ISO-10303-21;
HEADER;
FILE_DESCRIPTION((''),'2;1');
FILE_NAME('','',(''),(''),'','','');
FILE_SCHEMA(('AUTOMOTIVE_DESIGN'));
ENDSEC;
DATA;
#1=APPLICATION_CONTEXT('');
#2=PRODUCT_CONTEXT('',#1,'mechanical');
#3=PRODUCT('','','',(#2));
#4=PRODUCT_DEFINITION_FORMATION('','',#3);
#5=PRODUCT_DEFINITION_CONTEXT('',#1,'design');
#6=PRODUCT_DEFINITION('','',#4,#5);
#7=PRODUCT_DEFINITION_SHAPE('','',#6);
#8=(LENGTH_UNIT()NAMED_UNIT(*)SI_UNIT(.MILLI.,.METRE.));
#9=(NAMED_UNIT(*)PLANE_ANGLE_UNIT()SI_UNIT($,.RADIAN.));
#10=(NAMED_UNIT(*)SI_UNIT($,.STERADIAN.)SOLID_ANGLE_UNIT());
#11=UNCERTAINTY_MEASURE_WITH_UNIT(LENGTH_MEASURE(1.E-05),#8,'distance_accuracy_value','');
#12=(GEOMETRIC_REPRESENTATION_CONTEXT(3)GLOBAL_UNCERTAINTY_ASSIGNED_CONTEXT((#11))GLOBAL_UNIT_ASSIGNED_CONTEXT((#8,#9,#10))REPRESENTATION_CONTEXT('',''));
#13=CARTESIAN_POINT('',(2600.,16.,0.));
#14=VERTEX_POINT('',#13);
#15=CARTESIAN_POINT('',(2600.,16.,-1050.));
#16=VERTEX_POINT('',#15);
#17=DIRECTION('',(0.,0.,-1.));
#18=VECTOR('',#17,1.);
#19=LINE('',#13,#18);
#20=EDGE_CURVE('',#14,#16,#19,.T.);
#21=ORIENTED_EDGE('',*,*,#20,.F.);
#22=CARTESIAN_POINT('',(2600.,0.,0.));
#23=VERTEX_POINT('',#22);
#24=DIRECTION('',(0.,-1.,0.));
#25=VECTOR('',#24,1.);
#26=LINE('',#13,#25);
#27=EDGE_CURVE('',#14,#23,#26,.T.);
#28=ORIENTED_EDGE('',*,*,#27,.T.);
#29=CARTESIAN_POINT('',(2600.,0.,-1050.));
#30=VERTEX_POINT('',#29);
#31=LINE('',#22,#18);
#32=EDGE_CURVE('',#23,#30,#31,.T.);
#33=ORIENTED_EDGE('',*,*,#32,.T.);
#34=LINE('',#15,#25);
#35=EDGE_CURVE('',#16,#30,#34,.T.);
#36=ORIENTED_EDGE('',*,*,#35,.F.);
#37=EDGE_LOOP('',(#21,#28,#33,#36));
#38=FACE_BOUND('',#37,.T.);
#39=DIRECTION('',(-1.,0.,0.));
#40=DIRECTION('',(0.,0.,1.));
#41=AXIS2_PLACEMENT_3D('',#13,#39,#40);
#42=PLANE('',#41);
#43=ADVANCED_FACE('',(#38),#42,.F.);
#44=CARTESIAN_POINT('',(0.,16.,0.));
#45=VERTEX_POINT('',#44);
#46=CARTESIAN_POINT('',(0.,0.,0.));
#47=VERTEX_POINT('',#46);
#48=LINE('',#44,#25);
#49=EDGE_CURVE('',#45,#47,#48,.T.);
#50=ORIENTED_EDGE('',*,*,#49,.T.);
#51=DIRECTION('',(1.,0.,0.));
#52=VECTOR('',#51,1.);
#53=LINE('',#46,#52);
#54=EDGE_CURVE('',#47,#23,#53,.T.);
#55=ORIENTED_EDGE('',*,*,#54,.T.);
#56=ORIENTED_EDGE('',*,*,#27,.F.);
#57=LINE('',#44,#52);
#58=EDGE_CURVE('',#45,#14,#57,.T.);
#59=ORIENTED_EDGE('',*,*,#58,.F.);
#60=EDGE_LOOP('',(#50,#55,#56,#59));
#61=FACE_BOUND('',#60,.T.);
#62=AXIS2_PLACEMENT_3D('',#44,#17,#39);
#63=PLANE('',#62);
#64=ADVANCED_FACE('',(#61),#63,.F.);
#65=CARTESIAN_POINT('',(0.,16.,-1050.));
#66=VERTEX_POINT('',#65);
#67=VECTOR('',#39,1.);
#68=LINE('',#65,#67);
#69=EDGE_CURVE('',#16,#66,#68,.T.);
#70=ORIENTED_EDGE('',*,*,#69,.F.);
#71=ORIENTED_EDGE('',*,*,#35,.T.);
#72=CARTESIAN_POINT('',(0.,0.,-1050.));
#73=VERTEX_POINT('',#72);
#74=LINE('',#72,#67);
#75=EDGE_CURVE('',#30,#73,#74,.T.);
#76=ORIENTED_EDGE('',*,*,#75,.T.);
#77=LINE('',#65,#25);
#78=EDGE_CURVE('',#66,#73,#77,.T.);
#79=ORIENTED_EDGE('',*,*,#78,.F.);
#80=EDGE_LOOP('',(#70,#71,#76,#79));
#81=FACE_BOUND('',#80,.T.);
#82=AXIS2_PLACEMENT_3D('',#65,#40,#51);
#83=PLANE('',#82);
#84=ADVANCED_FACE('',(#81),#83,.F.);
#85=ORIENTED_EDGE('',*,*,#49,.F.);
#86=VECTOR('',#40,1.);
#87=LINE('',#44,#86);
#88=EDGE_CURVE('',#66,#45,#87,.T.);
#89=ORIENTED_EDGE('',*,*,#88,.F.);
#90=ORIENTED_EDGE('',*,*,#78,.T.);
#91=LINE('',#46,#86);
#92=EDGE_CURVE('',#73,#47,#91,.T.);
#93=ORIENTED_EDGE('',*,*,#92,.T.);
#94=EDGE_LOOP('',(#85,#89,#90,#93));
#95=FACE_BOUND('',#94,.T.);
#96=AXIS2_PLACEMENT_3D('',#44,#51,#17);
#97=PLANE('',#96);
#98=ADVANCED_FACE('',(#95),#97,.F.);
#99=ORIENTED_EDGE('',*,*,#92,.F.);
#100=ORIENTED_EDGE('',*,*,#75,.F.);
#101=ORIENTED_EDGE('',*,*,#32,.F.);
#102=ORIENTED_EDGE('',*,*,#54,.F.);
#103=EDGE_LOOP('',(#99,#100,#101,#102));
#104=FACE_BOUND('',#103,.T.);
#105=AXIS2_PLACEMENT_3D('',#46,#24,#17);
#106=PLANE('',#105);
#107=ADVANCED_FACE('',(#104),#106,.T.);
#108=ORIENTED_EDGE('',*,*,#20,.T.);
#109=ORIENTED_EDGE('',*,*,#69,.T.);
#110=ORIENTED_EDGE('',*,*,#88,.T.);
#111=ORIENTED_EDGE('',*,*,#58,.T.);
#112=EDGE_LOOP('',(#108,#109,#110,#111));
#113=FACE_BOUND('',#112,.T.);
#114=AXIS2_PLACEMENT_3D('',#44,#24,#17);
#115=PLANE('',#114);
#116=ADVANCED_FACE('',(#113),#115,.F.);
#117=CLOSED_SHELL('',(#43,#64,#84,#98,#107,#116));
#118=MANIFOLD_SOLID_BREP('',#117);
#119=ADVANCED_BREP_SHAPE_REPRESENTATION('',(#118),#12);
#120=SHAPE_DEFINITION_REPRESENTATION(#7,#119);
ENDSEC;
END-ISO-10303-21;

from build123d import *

# Parameters (mm, degrees)
ESQUISSE1_W        = 2600
ESQUISSE1_H        = 1050
BOSS_EXTRU_1_DEPTH = 16


with BuildPart() as part:
    # Esquisse1 → Boss.-Extru.1 (new body)
    with BuildSketch(Plane(origin=(0, 0, 0), x_dir=(1, 0, 0), z_dir=(0, 1, 0))):
        with Locations((1300, 525)):
            Rectangle(ESQUISSE1_W, ESQUISSE1_H)
    extrude(amount=BOSS_EXTRU_1_DEPTH)


solid = part.part
